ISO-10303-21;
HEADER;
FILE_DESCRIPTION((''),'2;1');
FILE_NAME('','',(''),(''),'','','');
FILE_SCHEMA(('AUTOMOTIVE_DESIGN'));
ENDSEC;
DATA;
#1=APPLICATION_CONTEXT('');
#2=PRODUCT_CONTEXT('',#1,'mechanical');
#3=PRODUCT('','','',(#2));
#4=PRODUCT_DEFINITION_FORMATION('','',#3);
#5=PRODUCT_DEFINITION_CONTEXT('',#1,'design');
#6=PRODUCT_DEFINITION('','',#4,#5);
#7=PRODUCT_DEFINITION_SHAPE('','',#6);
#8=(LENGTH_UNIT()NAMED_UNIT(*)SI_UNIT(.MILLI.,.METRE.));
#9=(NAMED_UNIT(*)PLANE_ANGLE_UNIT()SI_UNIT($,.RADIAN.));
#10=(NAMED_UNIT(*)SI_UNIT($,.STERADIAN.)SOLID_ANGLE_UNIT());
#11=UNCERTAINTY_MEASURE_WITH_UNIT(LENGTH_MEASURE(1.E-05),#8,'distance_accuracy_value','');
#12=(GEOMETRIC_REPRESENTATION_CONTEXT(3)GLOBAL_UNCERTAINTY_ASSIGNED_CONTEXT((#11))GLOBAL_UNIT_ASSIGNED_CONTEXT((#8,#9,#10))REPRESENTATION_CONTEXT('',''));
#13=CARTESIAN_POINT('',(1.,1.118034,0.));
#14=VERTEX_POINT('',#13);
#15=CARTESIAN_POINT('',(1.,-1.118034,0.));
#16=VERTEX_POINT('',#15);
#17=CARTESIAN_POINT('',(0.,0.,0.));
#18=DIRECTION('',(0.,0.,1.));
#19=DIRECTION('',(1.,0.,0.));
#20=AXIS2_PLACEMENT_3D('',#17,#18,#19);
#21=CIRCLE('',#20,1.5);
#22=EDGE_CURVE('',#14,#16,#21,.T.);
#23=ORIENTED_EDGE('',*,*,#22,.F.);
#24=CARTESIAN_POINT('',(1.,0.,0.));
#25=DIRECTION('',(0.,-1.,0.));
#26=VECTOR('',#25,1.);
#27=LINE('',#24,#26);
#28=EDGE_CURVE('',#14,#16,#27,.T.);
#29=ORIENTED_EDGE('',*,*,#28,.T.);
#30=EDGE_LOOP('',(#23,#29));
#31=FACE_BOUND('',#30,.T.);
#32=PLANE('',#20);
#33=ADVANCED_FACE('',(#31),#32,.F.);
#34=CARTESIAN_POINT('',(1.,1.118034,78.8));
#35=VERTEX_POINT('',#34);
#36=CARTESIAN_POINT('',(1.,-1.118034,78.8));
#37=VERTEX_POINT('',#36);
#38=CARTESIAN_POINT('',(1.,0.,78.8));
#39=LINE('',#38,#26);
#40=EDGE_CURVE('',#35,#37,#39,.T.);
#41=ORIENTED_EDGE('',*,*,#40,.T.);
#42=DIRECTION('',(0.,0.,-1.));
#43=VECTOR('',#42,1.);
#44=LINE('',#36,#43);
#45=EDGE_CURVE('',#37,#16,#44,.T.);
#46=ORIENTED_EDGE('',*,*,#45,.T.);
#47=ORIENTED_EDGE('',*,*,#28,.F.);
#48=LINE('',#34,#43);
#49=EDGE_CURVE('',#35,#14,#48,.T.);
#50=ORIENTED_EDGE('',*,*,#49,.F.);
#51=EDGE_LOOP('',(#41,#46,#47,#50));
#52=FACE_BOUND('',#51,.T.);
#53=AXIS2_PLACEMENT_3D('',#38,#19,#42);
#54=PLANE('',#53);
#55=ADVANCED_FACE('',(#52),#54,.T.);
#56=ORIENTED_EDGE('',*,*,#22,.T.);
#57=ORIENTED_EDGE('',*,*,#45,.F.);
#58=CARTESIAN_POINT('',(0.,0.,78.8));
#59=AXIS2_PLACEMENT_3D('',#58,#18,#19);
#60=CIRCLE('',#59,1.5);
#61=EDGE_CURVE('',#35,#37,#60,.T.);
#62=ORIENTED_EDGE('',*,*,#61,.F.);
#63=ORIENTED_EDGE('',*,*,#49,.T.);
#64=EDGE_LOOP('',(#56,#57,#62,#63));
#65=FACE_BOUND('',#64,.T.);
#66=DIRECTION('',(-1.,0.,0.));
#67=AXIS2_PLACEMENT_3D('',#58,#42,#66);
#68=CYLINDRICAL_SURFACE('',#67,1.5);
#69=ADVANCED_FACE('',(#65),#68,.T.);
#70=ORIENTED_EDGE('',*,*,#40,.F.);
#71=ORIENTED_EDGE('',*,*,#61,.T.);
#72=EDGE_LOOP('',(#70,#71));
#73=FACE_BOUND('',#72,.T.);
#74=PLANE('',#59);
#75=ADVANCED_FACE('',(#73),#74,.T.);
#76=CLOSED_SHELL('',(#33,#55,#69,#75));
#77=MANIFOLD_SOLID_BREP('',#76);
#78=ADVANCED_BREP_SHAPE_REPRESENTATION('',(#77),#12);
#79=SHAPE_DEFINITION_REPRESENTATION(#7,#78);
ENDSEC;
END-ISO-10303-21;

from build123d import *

# Parameters (mm, degrees)
EXTRUDE_1_DEPTH = 78.8


with BuildPart() as part:
    # 草图1 → 凸台-拉伸1 (new body)
    with BuildSketch(Plane.XY):
        with BuildLine():
            Line((1, -1.118033989), (1, 1.118033989))
            ThreePointArc((1, 1.118033989), (-1.5, 0), (1, -1.118033989))
        make_face()
    extrude(amount=EXTRUDE_1_DEPTH)


solid = part.part
